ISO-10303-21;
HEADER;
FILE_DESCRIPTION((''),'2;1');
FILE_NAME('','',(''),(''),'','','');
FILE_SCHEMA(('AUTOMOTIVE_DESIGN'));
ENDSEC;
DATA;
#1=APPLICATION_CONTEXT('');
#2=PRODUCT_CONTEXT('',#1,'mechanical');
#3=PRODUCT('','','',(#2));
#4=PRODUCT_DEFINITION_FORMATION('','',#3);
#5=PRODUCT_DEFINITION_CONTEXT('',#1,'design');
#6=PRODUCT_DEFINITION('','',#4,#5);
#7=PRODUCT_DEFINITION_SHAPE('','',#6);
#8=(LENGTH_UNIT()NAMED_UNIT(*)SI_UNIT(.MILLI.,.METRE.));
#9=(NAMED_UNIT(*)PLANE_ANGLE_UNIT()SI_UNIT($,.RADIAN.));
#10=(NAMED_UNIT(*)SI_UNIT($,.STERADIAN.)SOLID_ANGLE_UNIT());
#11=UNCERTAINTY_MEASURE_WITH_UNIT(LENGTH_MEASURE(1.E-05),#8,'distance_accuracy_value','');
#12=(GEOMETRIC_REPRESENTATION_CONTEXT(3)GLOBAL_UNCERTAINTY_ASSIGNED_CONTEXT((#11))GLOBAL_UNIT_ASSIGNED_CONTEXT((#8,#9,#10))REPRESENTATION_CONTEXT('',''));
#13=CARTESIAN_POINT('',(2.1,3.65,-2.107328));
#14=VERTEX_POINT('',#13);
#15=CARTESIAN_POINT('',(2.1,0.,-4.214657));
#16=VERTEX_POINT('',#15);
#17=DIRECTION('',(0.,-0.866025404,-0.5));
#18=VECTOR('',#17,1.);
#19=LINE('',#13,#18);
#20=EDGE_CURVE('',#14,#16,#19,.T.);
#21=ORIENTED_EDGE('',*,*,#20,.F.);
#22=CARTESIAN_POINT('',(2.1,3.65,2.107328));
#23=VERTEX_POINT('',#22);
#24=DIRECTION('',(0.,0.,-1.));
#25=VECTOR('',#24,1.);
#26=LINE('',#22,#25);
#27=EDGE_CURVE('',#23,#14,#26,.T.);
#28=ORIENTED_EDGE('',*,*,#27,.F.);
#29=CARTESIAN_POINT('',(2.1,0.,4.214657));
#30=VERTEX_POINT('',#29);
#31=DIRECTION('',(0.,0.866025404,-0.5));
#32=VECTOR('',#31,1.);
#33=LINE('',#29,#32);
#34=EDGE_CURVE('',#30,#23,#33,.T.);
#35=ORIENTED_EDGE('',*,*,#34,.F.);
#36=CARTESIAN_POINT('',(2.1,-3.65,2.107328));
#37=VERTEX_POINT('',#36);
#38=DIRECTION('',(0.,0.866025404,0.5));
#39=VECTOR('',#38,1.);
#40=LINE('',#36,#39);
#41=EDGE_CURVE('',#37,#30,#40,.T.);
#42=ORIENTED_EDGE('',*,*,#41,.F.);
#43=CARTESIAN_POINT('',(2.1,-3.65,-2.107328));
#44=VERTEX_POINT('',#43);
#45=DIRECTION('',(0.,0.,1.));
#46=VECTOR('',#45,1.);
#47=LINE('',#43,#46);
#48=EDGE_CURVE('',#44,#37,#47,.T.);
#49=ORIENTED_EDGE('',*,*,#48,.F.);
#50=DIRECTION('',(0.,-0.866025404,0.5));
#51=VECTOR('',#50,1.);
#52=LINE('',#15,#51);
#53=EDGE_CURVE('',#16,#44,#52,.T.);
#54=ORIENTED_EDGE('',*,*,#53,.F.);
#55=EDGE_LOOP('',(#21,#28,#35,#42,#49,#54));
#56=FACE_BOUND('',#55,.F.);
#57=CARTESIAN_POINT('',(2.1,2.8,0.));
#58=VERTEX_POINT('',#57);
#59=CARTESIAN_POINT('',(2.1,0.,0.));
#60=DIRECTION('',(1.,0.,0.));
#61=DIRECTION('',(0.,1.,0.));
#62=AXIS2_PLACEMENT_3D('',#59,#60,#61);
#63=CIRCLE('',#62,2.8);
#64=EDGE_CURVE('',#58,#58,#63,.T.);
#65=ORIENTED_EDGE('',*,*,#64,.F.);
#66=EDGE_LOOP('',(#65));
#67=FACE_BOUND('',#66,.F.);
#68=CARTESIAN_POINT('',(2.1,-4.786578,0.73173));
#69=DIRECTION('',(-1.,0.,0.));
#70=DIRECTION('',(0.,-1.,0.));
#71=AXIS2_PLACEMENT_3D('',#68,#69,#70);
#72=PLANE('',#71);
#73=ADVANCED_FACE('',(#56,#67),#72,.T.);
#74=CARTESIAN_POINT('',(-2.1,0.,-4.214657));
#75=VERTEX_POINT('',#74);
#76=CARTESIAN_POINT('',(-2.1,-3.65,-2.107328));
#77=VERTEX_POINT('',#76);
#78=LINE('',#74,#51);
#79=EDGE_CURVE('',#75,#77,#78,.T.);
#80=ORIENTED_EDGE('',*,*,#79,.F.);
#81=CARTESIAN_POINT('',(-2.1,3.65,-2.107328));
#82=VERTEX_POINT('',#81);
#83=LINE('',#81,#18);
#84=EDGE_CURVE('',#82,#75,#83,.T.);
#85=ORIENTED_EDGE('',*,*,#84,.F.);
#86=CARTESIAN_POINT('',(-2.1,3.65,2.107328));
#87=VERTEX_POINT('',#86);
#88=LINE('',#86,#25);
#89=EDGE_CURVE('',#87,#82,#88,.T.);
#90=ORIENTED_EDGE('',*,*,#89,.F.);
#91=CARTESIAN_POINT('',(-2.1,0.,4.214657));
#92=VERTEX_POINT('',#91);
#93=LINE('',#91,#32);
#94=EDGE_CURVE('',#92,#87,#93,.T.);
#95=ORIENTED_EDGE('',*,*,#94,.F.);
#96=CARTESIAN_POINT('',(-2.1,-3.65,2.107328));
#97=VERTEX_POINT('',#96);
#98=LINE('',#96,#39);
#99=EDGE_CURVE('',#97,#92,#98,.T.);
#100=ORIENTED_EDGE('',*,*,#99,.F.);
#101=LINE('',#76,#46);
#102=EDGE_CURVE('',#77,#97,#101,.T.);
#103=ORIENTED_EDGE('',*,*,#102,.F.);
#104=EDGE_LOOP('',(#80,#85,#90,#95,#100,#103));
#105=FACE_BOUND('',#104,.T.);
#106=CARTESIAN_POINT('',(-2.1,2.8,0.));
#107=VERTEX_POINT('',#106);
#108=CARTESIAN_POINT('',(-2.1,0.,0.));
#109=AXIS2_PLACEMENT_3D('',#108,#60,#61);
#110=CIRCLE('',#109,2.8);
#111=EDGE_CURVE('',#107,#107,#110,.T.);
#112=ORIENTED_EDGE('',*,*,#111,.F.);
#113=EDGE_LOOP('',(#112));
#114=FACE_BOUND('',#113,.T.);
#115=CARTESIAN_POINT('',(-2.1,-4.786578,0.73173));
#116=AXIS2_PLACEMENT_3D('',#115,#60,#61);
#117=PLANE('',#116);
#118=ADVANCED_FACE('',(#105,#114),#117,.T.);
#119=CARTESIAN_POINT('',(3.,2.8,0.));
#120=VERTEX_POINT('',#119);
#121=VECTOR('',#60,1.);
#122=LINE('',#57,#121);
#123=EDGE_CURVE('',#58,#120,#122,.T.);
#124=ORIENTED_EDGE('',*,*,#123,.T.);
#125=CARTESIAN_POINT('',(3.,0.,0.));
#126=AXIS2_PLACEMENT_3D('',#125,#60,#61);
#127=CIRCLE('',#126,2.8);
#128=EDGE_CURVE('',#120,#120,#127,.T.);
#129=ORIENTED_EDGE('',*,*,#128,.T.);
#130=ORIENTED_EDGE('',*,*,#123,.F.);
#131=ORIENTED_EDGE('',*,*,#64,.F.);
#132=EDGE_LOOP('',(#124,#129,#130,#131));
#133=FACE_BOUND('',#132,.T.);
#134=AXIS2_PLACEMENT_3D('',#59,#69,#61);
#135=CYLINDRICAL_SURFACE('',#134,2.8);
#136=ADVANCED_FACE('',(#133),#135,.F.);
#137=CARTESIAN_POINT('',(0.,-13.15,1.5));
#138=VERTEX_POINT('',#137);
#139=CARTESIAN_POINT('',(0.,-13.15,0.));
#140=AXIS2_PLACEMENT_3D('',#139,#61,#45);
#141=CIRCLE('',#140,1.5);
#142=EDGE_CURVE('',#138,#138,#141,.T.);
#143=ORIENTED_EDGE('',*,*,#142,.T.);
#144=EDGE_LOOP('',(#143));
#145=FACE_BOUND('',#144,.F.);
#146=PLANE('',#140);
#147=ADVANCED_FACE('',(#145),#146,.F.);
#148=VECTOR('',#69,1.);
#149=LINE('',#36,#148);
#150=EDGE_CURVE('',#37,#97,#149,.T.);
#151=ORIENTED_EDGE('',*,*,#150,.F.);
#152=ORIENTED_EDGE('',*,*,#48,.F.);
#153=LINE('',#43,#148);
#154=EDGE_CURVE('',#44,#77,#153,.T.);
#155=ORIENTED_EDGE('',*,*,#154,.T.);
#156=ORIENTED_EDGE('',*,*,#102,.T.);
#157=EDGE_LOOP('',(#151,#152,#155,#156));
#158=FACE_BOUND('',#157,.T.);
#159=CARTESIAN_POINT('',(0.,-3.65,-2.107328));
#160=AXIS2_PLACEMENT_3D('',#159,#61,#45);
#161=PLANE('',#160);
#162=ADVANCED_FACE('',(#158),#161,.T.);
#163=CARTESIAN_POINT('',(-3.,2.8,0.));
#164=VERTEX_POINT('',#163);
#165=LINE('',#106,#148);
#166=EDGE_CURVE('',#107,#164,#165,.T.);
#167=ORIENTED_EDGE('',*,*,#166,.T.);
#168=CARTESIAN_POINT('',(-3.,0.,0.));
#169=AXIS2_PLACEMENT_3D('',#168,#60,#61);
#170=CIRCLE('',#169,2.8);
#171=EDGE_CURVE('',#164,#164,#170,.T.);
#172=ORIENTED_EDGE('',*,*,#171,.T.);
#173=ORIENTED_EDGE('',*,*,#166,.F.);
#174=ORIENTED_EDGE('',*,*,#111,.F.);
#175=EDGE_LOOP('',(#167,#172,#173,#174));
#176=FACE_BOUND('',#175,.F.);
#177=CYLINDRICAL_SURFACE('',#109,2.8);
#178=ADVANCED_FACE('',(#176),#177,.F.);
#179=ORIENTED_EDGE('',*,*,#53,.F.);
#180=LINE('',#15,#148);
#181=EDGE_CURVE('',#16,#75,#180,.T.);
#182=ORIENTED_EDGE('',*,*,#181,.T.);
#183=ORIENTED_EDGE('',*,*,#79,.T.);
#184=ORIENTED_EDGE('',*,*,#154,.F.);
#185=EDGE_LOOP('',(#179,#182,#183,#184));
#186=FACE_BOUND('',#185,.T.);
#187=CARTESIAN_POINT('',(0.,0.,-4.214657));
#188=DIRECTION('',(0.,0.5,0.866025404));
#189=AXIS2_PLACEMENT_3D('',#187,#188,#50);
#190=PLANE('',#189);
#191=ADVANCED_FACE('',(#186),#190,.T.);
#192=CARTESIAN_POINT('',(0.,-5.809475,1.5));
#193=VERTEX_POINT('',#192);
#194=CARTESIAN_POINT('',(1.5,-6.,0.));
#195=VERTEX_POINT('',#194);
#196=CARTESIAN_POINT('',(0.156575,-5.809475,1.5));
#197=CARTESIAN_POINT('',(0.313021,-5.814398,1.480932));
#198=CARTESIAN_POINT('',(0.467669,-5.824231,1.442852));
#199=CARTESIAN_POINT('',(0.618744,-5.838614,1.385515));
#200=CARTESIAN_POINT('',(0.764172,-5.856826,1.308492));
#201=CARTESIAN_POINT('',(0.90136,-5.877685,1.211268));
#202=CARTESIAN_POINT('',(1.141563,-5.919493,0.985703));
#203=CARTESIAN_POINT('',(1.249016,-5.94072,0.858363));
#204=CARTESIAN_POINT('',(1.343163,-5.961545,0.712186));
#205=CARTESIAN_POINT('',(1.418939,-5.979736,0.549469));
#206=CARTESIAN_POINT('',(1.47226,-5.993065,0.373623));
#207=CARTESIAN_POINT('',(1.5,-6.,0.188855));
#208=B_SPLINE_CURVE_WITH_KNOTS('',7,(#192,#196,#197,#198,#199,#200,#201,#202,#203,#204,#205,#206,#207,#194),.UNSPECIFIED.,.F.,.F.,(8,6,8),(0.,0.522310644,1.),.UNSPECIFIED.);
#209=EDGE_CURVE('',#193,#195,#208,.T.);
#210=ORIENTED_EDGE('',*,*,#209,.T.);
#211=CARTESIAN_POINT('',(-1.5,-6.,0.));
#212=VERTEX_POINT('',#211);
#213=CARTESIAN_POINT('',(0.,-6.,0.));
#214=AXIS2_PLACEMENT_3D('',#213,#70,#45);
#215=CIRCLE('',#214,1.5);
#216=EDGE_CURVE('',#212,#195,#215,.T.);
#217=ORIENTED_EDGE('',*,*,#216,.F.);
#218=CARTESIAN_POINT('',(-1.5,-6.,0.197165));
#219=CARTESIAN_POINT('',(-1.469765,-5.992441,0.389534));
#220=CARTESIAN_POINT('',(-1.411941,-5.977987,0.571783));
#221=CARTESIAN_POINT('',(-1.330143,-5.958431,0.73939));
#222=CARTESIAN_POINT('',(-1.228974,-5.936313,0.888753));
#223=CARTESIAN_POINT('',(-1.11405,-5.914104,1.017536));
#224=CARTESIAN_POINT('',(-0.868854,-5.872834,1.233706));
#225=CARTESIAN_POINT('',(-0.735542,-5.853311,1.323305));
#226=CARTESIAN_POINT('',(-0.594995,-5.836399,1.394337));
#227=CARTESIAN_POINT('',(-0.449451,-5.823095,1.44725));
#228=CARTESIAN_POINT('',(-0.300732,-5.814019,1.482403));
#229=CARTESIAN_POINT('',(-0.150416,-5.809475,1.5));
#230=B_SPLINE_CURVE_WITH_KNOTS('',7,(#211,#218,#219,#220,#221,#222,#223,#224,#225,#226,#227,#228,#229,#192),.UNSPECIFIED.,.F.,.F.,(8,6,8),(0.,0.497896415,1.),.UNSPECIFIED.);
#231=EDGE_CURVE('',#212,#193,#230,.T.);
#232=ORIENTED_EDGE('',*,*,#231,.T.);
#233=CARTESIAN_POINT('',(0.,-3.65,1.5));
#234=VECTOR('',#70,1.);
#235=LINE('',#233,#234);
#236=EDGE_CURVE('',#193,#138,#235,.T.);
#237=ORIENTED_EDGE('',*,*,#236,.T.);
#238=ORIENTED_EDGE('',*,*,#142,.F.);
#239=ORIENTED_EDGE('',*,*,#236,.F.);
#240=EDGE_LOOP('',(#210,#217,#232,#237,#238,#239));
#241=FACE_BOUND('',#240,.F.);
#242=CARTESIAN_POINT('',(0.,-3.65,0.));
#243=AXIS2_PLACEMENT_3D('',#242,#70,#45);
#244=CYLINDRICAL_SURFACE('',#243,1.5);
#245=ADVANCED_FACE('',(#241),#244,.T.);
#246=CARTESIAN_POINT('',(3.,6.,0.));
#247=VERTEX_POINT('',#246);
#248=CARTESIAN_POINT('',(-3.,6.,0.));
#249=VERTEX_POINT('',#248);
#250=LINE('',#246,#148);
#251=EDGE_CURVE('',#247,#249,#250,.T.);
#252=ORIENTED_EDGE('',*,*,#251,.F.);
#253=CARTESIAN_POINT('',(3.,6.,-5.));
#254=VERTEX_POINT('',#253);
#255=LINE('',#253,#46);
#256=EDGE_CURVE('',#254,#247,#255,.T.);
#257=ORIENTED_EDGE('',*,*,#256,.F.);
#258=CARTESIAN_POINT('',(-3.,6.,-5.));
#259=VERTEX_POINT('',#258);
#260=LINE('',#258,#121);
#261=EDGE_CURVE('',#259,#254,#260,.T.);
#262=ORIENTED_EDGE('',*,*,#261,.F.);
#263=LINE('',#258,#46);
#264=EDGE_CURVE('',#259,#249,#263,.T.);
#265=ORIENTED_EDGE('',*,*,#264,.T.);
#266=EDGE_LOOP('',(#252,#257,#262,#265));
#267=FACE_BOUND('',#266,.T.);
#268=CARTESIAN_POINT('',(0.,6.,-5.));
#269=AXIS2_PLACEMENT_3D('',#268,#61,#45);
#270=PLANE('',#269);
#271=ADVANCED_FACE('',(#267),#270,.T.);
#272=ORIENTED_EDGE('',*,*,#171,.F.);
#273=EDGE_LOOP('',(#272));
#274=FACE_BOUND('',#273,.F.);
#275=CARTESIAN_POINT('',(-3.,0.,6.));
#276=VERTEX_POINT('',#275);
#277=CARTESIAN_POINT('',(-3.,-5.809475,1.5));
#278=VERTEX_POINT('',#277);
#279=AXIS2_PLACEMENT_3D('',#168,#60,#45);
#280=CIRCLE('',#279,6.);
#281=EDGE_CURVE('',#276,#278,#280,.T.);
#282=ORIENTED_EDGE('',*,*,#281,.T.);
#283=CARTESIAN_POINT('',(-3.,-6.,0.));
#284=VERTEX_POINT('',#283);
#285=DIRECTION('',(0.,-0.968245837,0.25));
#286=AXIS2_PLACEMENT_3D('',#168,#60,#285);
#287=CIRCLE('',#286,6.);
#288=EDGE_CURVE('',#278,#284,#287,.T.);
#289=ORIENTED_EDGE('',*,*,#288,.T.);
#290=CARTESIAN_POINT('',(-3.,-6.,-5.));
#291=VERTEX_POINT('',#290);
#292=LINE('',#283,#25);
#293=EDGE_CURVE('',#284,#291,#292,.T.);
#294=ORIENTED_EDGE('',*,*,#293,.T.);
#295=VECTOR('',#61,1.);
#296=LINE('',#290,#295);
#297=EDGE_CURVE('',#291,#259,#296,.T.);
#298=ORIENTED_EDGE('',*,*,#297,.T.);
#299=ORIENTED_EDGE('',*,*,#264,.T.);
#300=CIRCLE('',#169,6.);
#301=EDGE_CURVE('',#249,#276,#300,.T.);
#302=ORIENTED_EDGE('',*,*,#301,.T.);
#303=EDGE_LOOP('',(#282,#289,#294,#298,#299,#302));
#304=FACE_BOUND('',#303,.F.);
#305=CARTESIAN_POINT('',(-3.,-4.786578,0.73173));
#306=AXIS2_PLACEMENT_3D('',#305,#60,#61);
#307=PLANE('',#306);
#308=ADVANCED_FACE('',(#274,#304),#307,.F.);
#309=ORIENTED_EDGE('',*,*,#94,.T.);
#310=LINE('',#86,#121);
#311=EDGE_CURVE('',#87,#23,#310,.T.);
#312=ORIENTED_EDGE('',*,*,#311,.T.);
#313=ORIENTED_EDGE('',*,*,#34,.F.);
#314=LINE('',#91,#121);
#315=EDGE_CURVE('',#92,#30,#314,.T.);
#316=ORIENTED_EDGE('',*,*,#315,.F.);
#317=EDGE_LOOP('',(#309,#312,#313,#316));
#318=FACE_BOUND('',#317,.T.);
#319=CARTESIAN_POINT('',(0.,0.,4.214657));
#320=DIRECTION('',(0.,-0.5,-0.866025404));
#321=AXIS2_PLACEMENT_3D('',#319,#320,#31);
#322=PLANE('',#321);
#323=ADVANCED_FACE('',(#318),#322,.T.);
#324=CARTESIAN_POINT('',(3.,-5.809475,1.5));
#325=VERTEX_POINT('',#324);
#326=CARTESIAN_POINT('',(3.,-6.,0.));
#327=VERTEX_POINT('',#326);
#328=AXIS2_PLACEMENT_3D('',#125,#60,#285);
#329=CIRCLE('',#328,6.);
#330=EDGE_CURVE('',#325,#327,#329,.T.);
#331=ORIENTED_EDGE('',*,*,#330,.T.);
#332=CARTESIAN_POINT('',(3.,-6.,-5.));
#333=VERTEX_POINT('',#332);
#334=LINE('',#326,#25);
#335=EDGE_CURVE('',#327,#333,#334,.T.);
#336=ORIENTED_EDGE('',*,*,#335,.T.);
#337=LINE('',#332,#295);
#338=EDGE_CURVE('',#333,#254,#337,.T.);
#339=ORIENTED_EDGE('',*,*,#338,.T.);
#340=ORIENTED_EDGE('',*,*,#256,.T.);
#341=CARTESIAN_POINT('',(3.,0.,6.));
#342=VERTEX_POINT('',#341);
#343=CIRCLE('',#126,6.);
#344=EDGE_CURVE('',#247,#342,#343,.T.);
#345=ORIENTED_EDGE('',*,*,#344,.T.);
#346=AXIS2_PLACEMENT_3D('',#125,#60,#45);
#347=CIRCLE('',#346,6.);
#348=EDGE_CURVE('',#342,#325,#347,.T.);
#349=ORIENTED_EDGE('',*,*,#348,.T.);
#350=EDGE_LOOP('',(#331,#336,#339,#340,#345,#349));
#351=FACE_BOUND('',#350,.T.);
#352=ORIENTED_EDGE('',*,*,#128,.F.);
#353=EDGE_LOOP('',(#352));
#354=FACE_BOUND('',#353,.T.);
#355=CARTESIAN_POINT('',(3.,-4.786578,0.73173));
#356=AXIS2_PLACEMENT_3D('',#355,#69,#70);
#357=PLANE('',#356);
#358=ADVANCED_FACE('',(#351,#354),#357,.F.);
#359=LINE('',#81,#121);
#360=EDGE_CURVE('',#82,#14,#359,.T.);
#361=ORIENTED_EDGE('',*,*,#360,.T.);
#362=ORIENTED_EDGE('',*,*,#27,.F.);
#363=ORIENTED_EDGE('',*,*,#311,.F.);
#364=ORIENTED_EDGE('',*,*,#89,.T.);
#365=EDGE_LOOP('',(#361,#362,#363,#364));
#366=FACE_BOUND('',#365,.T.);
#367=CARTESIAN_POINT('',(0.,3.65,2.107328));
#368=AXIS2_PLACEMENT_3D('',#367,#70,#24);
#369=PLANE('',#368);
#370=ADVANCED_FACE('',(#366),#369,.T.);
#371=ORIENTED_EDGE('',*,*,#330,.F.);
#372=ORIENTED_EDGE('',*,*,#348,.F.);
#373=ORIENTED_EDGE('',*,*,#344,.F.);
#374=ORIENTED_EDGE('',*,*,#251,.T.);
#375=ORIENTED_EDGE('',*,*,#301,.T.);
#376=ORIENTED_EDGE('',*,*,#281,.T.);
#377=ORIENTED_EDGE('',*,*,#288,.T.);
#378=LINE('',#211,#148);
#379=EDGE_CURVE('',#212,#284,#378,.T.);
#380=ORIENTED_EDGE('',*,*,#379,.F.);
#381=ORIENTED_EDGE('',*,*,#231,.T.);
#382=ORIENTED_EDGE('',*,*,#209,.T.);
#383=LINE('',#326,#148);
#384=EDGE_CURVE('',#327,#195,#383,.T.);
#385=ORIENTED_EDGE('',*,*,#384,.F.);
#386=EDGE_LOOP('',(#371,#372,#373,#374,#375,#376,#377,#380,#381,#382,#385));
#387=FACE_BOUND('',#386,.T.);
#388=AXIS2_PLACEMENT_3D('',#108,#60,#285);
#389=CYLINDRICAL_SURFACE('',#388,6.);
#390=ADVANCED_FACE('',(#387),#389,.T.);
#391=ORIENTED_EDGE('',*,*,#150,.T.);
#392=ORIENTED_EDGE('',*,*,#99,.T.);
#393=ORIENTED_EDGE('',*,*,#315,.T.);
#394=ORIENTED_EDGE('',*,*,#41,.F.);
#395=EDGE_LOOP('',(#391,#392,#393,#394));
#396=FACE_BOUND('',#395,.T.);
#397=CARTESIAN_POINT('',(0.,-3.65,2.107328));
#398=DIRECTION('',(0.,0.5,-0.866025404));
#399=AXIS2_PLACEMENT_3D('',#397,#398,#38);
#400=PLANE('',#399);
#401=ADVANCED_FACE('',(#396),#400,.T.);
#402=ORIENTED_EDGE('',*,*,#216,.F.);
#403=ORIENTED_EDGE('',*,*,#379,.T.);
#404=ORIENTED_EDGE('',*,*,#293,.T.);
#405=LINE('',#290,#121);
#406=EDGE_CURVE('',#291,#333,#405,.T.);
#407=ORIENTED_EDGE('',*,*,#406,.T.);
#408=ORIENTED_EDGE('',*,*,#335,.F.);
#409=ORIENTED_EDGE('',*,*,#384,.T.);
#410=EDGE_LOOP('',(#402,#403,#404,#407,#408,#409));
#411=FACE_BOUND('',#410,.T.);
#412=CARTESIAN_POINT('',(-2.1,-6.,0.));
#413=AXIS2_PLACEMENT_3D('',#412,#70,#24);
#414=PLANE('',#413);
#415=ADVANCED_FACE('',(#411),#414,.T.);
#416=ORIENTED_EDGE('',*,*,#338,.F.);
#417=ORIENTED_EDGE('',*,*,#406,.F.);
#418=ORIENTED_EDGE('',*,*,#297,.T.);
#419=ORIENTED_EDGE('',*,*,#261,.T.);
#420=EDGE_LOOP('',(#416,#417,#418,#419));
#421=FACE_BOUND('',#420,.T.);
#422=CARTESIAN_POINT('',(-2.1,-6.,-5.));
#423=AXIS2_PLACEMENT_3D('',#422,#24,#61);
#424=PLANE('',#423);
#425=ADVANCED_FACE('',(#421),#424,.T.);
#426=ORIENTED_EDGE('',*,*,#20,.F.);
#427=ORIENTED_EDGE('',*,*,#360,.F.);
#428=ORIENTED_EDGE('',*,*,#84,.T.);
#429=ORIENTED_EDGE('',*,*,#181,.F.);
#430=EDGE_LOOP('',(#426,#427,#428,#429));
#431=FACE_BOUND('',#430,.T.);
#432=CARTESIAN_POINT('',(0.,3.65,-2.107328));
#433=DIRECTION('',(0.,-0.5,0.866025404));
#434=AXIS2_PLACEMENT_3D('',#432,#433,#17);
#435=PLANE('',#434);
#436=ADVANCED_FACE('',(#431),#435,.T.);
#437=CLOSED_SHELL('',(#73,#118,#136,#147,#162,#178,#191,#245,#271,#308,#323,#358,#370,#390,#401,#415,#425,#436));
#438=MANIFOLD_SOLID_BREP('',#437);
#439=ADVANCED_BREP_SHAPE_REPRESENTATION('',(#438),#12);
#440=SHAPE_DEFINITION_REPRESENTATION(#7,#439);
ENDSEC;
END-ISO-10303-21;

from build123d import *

# Parameters (mm, degrees)
F0_W     = 2.35
F0_H     = 1.5
F1_DEPTH = 2.1
F2_START = -2.1
F0_R     = 2.8
F2_DEPTH = 0.9


with BuildPart() as f1:
    # F0 (on Right) → F1 (new body, symmetric)
    with BuildSketch(Plane.YZ):
        with BuildLine():
            Line((-3.65, 1.5), (-3.65, 2.1073284825))
            Line((-3.65, 2.1073284825), (0, 4.2146569651))
            Line((0, 4.2146569651), (3.65, 2.1073284825))
            Line((3.65, 2.1073284825), (3.65, -2.1073284825))
            Line((3.65, -2.1073284825), (0, -4.2146569651))
            Line((0, -4.2146569651), (-3.65, -2.1073284825))
            Line((-3.65, -2.1073284825), (-3.65, -1.5))
            Line((-3.65, -1.5), (-6, -1.5))
            Line((-6, -1.5), (-6, -5))
            Line((-6, -5), (6, -5))
            Line((6, -5), (6, 0))
            ThreePointArc((6, 0), (4.2426406871, 4.2426406871), (0, 6))
            ThreePointArc((0, 6), (-3.6742346142, 4.7434164903), (-5.8094750193, 1.5))
            Line((-5.8094750193, 1.5), (-3.65, 1.5))
        make_face()
        with Locations((-4.825, -0.75)):
            Rectangle(F0_W, F0_H)
        with BuildLine():
            Line((-3.65, 0), (-3.65, 1.5))
            Line((-3.65, 1.5), (-5.8094750193, 1.5))
            ThreePointArc((-5.8094750193, 1.5), (-5.9521781776, 0.7560257549), (-6, 0))
            Line((-6, 0), (-3.65, 0))
        make_face()
    extrude(amount=F1_DEPTH, both=True)

    # F0 (on Right) → F2 (join)
    with BuildSketch(Plane.YZ.offset(F2_START)):
        with BuildLine():
            Line((-3.65, 0), (-3.65, 1.5))
            Line((-3.65, 1.5), (-5.8094750193, 1.5))
            ThreePointArc((-5.8094750193, 1.5), (-5.9521781776, 0.7560257549), (-6, 0))
            Line((-6, 0), (-3.65, 0))
        make_face()
        with Locations((-4.825, -0.75)):
            Rectangle(F0_W, F0_H)
        with BuildLine():
            Line((-3.65, 1.5), (-3.65, 2.1073284825))
            Line((-3.65, 2.1073284825), (0, 4.2146569651))
            Line((0, 4.2146569651), (3.65, 2.1073284825))
            Line((3.65, 2.1073284825), (3.65, -2.1073284825))
            Line((3.65, -2.1073284825), (0, -4.2146569651))
            Line((0, -4.2146569651), (-3.65, -2.1073284825))
            Line((-3.65, -2.1073284825), (-3.65, -1.5))
            Line((-3.65, -1.5), (-6, -1.5))
            Line((-6, -1.5), (-6, -5))
            Line((-6, -5), (6, -5))
            Line((6, -5), (6, 0))
            ThreePointArc((6, 0), (4.2426406871, 4.2426406871), (0, 6))
            ThreePointArc((0, 6), (-3.6742346142, 4.7434164903), (-5.8094750193, 1.5))
            Line((-5.8094750193, 1.5), (-3.65, 1.5))
        make_face()
        Polygon((0, 4.2146569651), (-3.65, 2.1073284825), (-3.65, 1.5), (-3.65, 0), (-3.65, -1.5), (-3.65, -2.1073284825), (0, -4.2146569651), (3.65, -2.1073284825), (3.65, 2.1073284825), align=None)
        Circle(F0_R, mode=Mode.SUBTRACT)
    extrude(amount=-F2_DEPTH)

    # F0 (on Right) → F3 (revolve)
    with BuildSketch(Plane.YZ):
        with BuildLine():
            ThreePointArc((-6, 0), (-5.9521781776, 0.7560257549), (-5.8094750193, 1.5))
            Line((-5.8094750193, 1.5), (-13.15, 1.5))
            Line((-13.15, 1.5), (-13.15, 0))
            Line((-13.15, 0), (-6, 0))
        make_face()
        with BuildLine():
            Line((-3.65, 0), (-3.65, 1.5))
            Line((-3.65, 1.5), (-5.8094750193, 1.5))
            ThreePointArc((-5.8094750193, 1.5), (-5.9521781776, 0.7560257549), (-6, 0))
            Line((-6, 0), (-3.65, 0))
        make_face()
    revolve(axis=Axis((0, -8.4, 0), (0, 1, 0)))

    # F4: F1 across plane


with BuildPart() as f1_1:
    add(f1.part)
    add(f1.part.mirror(Plane.YZ))


solid = f1_1.part
